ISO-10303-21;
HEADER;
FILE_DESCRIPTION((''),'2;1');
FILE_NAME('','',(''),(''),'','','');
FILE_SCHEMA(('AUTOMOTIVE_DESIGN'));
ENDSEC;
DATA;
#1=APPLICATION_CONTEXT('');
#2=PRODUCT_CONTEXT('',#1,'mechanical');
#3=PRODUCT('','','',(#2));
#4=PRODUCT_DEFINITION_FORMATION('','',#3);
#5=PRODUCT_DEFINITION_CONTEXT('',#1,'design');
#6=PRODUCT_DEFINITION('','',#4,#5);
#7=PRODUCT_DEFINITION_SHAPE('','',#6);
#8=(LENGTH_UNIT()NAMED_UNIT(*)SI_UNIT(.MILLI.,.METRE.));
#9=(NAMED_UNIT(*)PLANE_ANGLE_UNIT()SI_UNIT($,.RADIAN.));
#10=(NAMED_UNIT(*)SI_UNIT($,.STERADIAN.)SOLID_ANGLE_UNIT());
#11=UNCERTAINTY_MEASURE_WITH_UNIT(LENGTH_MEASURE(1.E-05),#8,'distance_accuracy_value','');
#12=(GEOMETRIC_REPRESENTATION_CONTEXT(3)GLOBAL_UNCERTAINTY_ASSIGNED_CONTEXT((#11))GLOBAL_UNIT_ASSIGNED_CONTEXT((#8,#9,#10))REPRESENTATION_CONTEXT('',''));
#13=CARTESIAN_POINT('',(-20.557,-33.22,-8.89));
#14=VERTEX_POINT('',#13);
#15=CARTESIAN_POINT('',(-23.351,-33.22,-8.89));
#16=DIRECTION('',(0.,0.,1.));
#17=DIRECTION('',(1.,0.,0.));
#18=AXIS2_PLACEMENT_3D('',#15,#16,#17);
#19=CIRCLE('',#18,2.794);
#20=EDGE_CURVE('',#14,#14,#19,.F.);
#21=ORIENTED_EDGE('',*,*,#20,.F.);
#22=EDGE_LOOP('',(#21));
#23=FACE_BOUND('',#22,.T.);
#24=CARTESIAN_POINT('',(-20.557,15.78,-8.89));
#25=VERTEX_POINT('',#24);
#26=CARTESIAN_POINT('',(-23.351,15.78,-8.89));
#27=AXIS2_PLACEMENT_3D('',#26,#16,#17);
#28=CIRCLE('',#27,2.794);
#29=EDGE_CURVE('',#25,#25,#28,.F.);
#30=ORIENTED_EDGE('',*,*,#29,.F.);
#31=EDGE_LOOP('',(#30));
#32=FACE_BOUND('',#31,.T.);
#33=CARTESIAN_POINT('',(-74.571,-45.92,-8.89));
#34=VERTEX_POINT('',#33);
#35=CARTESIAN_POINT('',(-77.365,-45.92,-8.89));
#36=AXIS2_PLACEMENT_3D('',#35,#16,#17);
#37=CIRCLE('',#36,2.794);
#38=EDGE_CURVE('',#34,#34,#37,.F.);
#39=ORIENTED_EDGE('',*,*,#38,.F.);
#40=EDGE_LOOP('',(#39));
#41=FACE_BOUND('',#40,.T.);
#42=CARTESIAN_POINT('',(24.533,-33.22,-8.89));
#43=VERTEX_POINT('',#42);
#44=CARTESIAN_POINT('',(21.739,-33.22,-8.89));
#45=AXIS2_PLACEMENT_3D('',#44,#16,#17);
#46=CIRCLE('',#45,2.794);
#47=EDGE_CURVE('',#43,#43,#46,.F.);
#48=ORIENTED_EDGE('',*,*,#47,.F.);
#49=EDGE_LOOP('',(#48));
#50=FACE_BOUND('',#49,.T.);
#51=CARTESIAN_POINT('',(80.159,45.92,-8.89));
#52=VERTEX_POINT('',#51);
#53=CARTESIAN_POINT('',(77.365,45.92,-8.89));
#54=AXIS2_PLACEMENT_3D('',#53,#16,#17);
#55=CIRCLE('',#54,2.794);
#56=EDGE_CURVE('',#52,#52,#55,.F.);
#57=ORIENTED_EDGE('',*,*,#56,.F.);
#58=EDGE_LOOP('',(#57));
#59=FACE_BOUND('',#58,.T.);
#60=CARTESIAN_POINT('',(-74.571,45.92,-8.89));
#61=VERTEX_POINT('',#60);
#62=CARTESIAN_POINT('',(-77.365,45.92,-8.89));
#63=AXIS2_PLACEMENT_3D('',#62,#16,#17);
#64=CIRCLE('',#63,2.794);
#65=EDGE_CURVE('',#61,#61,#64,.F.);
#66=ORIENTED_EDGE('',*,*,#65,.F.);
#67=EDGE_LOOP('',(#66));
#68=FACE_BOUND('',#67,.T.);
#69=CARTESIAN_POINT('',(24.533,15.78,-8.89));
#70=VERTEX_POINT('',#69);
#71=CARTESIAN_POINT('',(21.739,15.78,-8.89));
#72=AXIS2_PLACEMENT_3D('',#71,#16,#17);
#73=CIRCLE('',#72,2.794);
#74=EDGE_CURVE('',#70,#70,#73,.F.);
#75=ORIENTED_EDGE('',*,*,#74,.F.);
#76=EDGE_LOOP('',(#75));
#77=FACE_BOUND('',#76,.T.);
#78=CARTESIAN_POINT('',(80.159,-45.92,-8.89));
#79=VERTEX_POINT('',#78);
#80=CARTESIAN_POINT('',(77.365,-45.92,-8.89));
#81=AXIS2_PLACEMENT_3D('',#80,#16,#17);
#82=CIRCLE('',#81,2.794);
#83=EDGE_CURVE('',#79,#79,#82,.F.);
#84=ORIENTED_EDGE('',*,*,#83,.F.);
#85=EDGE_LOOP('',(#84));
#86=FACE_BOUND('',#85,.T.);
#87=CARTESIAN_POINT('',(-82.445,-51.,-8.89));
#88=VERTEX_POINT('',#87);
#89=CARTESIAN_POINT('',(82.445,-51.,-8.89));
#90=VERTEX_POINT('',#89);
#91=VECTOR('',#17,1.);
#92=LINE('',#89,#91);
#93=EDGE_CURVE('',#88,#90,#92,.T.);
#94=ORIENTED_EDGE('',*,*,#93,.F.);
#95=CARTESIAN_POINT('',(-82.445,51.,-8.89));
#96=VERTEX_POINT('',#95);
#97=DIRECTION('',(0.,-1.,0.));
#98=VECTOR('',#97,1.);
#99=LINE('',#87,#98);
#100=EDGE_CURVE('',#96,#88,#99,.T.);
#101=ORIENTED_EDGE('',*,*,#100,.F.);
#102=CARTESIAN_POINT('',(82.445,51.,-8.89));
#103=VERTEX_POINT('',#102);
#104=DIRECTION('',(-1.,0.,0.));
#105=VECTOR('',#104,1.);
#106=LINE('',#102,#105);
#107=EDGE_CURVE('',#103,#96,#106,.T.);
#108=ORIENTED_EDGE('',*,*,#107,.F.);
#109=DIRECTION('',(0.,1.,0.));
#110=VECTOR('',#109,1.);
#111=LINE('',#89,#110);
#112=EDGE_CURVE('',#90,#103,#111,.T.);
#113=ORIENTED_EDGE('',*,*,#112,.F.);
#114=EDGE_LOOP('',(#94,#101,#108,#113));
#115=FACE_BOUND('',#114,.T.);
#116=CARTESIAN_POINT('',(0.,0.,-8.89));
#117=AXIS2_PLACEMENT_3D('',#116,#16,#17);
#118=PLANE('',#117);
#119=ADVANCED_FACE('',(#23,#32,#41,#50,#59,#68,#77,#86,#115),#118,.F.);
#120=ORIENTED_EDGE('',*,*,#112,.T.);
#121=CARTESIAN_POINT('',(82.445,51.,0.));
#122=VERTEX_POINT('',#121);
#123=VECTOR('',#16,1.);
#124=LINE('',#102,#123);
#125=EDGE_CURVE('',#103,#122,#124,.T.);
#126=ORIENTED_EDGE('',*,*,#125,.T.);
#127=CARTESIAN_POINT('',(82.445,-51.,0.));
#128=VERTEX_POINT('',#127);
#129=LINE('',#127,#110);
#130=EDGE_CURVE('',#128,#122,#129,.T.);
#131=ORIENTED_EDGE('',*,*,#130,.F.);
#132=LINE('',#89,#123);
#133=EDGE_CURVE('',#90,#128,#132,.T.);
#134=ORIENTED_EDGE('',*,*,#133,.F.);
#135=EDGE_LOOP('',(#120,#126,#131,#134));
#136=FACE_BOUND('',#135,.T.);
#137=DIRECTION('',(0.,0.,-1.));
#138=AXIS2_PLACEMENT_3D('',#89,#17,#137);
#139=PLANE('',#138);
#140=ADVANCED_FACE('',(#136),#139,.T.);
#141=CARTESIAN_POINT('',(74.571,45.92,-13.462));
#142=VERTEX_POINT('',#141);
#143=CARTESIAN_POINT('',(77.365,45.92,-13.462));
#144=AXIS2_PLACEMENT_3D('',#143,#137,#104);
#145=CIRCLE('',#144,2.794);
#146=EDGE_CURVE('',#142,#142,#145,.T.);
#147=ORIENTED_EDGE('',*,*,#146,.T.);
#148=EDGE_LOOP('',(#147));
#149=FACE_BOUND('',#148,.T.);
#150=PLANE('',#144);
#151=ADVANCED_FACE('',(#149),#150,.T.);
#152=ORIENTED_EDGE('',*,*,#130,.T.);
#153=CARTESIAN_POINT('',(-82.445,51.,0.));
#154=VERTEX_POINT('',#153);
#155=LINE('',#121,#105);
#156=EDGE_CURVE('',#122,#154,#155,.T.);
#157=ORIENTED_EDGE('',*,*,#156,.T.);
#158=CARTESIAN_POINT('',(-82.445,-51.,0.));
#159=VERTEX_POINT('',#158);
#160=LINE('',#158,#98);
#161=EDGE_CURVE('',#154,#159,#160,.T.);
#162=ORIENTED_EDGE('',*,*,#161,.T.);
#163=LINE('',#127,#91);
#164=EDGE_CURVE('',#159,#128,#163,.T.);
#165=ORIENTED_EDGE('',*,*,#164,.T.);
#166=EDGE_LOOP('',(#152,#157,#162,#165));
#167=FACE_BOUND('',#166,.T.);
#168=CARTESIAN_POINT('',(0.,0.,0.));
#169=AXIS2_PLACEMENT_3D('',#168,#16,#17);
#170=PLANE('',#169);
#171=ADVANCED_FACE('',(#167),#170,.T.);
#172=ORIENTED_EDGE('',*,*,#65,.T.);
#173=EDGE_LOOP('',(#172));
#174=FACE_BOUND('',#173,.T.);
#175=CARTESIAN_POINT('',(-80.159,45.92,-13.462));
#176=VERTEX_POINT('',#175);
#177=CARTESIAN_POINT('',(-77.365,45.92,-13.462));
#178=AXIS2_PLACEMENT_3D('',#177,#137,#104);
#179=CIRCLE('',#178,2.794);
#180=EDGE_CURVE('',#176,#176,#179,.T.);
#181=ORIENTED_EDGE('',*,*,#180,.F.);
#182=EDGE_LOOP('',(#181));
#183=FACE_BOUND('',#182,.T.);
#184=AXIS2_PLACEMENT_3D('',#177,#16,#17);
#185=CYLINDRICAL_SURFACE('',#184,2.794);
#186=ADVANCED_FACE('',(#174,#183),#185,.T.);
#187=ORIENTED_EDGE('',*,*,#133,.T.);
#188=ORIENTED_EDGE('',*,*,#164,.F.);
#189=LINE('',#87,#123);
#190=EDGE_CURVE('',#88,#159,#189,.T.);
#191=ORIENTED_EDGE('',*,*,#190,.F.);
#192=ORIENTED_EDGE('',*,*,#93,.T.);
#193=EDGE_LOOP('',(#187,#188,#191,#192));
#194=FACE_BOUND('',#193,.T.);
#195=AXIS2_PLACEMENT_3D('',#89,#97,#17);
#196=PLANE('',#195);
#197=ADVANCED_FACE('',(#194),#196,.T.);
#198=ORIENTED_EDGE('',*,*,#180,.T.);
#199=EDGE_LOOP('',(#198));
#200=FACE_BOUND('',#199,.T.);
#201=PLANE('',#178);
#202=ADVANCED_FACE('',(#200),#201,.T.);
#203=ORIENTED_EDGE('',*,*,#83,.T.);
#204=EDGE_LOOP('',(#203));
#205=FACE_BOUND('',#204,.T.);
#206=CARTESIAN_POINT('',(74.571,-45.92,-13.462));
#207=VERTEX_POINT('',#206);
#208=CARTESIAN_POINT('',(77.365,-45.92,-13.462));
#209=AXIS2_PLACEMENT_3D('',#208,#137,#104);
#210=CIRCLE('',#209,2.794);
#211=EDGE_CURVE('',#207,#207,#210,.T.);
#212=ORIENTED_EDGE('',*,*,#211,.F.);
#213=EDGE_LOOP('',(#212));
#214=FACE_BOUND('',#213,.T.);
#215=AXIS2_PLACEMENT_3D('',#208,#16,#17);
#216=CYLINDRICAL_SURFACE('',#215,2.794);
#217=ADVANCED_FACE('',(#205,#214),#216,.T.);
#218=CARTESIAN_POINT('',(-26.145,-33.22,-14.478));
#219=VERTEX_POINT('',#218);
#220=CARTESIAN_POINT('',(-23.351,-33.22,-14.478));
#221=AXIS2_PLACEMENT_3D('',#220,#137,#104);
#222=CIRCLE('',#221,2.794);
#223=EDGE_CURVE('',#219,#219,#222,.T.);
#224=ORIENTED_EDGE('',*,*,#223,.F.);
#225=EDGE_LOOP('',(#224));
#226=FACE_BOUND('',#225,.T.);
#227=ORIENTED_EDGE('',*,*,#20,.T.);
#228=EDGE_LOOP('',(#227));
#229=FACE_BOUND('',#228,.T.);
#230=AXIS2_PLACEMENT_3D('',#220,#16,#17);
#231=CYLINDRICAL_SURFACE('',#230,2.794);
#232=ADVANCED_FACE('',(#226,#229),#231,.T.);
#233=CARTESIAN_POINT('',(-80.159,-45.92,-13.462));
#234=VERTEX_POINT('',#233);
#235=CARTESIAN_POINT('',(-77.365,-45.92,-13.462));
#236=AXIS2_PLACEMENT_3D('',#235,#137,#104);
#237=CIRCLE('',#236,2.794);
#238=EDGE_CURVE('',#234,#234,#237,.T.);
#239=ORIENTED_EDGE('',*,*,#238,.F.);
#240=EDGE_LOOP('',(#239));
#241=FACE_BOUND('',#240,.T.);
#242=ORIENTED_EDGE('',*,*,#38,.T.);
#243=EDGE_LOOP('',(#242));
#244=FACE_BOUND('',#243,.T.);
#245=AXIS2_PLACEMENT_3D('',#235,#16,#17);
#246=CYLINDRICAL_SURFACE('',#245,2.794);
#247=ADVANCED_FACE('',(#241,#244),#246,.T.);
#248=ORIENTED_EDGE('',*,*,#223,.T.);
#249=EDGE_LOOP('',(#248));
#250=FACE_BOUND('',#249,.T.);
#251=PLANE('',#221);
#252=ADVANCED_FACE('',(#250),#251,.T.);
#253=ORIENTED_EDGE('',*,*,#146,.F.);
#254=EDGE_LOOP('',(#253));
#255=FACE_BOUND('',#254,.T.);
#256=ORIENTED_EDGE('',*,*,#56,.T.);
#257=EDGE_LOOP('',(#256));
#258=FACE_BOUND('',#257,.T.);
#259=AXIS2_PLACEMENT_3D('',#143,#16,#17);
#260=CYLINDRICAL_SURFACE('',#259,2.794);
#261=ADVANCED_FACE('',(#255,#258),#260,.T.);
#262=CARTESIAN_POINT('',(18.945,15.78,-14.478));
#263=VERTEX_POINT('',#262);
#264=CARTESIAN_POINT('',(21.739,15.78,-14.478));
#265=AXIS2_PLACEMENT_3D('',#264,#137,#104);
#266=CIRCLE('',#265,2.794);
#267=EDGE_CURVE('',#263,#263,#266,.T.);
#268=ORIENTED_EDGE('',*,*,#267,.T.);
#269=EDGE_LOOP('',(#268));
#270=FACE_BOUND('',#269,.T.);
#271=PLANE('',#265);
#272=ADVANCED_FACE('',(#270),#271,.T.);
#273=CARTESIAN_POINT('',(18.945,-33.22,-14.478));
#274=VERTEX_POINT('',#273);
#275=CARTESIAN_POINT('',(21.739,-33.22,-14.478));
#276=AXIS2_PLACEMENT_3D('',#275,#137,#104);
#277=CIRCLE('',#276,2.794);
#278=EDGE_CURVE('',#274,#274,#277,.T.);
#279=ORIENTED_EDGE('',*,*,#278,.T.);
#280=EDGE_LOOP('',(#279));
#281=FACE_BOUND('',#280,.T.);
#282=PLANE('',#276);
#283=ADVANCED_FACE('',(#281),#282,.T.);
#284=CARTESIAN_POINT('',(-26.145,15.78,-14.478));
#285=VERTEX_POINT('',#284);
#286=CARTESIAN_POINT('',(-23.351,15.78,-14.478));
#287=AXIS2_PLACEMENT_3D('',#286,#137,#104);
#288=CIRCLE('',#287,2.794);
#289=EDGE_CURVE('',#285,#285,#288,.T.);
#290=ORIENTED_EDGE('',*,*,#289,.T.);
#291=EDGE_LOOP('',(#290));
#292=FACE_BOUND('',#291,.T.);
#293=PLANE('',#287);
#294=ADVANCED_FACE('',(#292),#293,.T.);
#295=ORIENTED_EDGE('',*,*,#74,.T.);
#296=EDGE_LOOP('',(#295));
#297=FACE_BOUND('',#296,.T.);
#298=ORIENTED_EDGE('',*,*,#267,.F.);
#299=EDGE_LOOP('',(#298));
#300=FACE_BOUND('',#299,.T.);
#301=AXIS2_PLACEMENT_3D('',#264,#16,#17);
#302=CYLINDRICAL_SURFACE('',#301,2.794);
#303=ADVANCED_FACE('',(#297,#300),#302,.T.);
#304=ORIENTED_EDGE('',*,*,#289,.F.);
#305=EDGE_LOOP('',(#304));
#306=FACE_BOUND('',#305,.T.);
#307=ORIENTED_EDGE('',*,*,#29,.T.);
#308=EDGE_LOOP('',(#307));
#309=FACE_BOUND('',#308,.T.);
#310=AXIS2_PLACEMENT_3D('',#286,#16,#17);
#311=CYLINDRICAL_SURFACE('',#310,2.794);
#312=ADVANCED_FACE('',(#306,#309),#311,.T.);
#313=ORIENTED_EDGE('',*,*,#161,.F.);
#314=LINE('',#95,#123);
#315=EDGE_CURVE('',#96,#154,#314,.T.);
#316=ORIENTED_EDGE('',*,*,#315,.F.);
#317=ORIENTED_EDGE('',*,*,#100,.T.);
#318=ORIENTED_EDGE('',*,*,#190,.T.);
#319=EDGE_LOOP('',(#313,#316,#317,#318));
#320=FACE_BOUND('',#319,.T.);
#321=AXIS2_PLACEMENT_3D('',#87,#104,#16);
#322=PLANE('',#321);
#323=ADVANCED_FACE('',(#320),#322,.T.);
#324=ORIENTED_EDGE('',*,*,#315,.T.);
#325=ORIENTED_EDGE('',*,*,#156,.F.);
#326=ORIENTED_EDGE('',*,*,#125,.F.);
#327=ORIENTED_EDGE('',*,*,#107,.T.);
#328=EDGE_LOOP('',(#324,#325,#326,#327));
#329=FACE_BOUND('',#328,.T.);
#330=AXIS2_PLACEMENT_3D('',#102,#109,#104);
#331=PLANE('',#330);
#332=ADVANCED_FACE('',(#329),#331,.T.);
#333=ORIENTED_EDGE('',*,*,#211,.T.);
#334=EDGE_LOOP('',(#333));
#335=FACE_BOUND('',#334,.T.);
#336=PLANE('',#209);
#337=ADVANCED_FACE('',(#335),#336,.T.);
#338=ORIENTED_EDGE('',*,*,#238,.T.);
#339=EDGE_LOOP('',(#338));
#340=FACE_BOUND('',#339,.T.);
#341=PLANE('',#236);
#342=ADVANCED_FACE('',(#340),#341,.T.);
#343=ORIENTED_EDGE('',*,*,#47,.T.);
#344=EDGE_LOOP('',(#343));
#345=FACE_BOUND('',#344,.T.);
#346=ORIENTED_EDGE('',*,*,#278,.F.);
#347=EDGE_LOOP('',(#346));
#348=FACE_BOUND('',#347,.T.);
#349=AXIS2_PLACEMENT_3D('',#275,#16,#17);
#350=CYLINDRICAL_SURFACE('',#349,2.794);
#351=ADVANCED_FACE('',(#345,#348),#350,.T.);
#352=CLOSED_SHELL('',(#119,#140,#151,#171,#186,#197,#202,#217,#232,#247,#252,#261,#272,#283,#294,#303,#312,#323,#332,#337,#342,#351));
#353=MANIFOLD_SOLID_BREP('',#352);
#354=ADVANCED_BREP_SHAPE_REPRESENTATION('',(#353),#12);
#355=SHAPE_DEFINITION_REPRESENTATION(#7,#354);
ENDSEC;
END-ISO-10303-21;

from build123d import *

# Parameters (mm, degrees)
SKETCH1_W           = 164.89
SKETCH1_H           = 102
BOSS_EXTRUDE1_DEPTH = 8.89
SKETCH2_R           = 2.794
BOSS_EXTRUDE2_DEPTH = 4.572
SKETCH3_R           = 2.794
BOSS_EXTRUDE3_DEPTH = 5.588


with BuildPart() as part:
    # Sketch1 → Boss-Extrude1 (new body)
    with BuildSketch(Plane.XY):
        Rectangle(SKETCH1_W, SKETCH1_H)
    extrude(amount=-BOSS_EXTRUDE1_DEPTH)

    # Sketch2 → Boss-Extrude2 (add)
    with BuildSketch(Plane(origin=(0, 0, -8.89), x_dir=(-1, 0, 0), z_dir=(0, 0, -1))):
        with Locations(Location((-77.365, 45.92, 0), (0, 0, 180))):
            Circle(SKETCH2_R)
        with Locations(Location((77.365, 45.92, 0), (0, 0, 180))):
            Circle(SKETCH2_R)
        with Locations(Location((-77.365, -45.92, 0), (0, 0, 180))):
            Circle(SKETCH2_R)
        with Locations(Location((77.365, -45.92, 0), (0, 0, 180))):
            Circle(SKETCH2_R)
    extrude(amount=BOSS_EXTRUDE2_DEPTH)

    # Sketch3 → Boss-Extrude3 (add)
    with BuildSketch(Plane(origin=(0, 0, -8.89), x_dir=(-1, 0, 0), z_dir=(0, 0, -1))):
        with Locations(Location((-21.739, 15.78, 0), (0, 0, 180))):
            Circle(SKETCH3_R)
        with Locations(Location((-21.739, -33.22, 0), (0, 0, 180))):
            Circle(SKETCH3_R)
        with Locations(Location((23.351, -33.22, 0), (0, 0, 180))):
            Circle(SKETCH3_R)
        with Locations(Location((23.351, 15.78, 0), (0, 0, 180))):
            Circle(SKETCH3_R)
    extrude(amount=BOSS_EXTRUDE3_DEPTH)


solid = part.part
